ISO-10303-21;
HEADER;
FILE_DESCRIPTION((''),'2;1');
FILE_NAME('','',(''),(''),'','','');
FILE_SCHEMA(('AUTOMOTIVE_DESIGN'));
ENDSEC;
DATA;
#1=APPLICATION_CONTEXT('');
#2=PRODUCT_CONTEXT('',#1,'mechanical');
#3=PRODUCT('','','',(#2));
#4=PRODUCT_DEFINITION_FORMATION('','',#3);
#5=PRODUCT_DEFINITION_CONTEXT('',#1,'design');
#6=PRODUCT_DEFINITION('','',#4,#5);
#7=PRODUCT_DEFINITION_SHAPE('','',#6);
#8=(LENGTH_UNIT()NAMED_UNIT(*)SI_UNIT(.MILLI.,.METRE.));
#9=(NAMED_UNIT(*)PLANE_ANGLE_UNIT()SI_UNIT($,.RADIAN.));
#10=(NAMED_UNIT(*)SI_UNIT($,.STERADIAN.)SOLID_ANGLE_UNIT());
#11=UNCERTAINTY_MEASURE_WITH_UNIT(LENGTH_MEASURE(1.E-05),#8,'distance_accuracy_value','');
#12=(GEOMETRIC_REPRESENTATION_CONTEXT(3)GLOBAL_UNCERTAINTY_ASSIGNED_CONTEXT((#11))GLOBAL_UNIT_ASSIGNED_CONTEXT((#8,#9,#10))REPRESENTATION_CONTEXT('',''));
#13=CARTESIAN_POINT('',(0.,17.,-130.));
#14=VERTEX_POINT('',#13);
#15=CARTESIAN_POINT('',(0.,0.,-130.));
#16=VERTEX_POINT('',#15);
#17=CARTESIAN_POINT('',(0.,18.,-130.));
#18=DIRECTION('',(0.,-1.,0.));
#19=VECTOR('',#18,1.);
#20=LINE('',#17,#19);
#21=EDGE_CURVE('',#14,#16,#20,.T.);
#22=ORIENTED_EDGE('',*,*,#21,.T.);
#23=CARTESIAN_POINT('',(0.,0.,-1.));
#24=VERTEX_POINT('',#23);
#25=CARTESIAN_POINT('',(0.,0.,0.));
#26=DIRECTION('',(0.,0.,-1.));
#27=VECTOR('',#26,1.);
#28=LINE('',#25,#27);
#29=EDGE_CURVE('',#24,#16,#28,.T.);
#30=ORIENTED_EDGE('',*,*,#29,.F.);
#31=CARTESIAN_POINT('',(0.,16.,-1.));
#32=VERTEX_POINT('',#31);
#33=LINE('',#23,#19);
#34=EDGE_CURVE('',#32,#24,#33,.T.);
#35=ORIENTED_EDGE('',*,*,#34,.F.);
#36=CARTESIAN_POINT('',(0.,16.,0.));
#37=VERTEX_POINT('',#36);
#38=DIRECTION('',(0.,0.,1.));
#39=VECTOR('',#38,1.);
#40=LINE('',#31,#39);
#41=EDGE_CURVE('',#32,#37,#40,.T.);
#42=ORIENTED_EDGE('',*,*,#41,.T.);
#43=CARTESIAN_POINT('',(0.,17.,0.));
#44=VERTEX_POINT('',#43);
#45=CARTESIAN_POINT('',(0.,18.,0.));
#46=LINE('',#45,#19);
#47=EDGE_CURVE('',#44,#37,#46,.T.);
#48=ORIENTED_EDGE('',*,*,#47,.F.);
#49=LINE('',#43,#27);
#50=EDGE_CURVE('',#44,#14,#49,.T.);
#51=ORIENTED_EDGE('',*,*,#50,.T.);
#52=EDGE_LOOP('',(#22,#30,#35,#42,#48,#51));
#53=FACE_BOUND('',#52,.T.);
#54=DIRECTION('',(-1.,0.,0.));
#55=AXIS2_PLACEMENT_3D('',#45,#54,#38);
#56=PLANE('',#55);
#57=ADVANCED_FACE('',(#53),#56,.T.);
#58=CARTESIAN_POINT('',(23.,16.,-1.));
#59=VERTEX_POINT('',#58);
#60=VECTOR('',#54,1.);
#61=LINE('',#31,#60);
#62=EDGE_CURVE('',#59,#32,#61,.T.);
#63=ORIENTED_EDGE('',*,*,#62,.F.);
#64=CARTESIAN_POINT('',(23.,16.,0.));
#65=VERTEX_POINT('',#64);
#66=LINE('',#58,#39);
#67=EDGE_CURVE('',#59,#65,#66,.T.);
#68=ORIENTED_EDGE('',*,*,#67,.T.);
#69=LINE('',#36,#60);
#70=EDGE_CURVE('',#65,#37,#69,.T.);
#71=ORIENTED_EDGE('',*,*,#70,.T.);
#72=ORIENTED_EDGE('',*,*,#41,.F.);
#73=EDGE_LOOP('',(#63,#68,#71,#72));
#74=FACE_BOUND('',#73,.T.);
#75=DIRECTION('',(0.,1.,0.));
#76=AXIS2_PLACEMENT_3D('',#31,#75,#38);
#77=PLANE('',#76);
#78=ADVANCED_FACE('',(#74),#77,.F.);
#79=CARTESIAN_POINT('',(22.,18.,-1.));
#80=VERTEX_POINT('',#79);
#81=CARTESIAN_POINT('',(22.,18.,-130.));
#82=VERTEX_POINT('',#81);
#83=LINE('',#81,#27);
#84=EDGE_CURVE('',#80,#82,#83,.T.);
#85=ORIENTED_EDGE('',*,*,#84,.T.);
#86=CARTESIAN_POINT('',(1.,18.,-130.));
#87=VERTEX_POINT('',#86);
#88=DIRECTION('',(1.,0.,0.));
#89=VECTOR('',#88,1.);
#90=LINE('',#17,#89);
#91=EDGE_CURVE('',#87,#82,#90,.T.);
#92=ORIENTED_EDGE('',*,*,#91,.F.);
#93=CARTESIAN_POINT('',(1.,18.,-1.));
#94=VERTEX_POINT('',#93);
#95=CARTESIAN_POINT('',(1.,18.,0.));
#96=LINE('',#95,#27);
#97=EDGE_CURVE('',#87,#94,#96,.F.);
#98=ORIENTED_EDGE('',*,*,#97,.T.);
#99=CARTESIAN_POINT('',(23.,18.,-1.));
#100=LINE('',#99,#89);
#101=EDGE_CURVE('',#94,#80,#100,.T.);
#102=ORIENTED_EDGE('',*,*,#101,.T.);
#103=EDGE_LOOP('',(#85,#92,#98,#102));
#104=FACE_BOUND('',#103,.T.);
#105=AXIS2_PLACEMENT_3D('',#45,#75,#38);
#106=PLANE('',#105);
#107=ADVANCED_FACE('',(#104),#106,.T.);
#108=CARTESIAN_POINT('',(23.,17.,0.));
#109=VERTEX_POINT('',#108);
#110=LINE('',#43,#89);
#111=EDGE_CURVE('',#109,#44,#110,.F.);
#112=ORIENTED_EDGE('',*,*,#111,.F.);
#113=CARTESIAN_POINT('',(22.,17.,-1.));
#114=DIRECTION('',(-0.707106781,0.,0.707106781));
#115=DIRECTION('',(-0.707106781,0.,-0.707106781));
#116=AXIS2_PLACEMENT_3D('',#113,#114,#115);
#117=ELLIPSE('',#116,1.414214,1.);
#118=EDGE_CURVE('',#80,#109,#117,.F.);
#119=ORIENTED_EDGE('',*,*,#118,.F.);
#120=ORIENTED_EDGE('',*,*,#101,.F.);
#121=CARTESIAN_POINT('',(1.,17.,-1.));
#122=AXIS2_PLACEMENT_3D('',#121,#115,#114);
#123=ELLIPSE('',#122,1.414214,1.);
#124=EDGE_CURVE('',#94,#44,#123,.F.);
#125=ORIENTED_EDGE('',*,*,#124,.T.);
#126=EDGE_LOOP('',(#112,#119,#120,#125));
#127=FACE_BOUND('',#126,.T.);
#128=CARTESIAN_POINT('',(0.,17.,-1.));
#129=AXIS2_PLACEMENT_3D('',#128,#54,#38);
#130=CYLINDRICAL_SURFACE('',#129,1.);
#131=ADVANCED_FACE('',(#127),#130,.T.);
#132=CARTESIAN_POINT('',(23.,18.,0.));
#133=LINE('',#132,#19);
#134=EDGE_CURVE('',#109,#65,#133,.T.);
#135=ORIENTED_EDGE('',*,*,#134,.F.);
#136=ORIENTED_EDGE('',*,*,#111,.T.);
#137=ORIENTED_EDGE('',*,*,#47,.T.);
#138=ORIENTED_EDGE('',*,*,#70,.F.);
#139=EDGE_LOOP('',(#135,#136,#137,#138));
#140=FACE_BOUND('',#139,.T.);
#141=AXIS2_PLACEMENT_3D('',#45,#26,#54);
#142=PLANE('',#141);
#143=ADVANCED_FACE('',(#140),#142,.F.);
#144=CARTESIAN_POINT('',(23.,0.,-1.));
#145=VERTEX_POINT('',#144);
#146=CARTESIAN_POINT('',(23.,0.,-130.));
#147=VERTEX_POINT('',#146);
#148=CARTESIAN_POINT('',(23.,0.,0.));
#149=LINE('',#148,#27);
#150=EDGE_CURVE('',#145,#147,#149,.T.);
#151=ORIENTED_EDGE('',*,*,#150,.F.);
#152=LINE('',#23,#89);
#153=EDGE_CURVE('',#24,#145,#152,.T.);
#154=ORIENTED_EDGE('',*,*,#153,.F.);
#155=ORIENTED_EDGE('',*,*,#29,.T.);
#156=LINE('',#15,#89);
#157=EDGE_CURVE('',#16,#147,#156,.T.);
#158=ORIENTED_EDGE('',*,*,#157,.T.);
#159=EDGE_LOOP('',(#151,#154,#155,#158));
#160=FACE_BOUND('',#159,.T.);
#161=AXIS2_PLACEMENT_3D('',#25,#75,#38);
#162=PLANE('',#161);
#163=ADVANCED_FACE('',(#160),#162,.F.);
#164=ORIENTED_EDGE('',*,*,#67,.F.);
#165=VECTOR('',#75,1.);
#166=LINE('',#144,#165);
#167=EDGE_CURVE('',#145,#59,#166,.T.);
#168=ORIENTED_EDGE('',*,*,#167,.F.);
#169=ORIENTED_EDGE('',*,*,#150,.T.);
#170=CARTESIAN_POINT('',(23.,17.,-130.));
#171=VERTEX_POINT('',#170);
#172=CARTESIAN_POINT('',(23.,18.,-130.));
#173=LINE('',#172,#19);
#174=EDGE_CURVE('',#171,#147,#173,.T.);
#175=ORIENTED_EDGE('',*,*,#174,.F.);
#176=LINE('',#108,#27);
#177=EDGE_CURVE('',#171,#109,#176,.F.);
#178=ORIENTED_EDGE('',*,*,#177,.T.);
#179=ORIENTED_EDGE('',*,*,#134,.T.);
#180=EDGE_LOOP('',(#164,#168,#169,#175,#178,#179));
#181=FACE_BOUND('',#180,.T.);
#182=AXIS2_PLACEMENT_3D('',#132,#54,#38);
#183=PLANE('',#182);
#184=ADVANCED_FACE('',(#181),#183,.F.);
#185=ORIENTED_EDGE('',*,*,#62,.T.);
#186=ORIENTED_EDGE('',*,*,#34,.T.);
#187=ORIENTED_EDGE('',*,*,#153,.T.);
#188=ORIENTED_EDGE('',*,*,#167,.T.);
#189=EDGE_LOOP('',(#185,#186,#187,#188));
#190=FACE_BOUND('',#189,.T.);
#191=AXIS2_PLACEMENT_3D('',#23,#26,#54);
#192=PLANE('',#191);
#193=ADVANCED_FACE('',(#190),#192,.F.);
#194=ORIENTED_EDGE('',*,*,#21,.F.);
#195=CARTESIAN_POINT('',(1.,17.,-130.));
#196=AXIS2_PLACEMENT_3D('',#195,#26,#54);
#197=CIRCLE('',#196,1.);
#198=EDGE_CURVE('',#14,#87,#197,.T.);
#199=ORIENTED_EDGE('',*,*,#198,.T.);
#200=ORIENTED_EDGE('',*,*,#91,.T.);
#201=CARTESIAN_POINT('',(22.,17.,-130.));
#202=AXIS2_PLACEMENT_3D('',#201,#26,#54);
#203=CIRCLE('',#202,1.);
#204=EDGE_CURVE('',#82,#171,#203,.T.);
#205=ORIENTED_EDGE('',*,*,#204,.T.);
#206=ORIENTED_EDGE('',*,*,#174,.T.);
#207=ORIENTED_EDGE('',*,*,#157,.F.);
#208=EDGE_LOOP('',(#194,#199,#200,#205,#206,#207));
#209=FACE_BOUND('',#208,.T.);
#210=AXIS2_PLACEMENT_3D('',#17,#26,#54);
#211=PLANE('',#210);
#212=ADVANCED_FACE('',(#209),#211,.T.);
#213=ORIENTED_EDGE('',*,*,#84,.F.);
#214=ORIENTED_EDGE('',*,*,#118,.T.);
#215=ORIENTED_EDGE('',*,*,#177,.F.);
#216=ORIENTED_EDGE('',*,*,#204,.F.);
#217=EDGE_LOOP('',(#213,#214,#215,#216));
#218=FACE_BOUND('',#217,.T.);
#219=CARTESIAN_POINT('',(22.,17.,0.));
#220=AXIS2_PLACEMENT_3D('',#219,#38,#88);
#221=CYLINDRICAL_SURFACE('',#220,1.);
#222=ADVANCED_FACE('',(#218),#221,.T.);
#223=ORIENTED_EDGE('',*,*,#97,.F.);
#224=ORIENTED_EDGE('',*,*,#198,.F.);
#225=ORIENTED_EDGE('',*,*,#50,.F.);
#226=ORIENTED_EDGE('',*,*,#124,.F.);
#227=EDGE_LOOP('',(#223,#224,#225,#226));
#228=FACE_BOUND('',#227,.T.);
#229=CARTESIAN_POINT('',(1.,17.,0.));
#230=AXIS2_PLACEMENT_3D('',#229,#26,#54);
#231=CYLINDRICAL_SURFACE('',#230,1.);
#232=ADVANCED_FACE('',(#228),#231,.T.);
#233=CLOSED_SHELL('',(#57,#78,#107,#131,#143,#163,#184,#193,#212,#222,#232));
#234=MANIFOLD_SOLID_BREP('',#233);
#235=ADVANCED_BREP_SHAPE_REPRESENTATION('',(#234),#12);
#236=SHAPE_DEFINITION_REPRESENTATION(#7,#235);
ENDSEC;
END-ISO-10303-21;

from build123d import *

# Parameters (mm, degrees)
SALIENTE_EXTRUIR1_DEPTH = 18
CROQUIS3_W              = 23
CROQUIS3_H              = 16
CORTAR_EXTRUIR1_DEPTH   = 1
REDONDEO1_R             = 1


with BuildPart() as part:
    # Croquis2 → Saliente-Extruir1 (new body)
    with BuildSketch(Plane(origin=(0, 0, 0), x_dir=(1, 0, 0), z_dir=(0, 1, 0))):
        Polygon((0, 130), (0, 0), (23, 0), (23, 50), (23, 130), (14, 130), align=None)
    extrude(amount=SALIENTE_EXTRUIR1_DEPTH)

    # Croquis3 → Cortar-Extruir1 (cut)
    with BuildSketch(Plane.XY):
        with Locations((11.5, 8)):
            Rectangle(CROQUIS3_W, CROQUIS3_H)
    extrude(amount=-CORTAR_EXTRUIR1_DEPTH, mode=Mode.SUBTRACT)

    # Redondeo1
    redondeo1_edges = [part.edges().sort_by_distance(p)[0] for p in [
        (0, 18, -65),
        (11.5, 18, 0),
        (23, 18, -65),
    ]]
    fillet(redondeo1_edges, radius=REDONDEO1_R)


solid = part.part
